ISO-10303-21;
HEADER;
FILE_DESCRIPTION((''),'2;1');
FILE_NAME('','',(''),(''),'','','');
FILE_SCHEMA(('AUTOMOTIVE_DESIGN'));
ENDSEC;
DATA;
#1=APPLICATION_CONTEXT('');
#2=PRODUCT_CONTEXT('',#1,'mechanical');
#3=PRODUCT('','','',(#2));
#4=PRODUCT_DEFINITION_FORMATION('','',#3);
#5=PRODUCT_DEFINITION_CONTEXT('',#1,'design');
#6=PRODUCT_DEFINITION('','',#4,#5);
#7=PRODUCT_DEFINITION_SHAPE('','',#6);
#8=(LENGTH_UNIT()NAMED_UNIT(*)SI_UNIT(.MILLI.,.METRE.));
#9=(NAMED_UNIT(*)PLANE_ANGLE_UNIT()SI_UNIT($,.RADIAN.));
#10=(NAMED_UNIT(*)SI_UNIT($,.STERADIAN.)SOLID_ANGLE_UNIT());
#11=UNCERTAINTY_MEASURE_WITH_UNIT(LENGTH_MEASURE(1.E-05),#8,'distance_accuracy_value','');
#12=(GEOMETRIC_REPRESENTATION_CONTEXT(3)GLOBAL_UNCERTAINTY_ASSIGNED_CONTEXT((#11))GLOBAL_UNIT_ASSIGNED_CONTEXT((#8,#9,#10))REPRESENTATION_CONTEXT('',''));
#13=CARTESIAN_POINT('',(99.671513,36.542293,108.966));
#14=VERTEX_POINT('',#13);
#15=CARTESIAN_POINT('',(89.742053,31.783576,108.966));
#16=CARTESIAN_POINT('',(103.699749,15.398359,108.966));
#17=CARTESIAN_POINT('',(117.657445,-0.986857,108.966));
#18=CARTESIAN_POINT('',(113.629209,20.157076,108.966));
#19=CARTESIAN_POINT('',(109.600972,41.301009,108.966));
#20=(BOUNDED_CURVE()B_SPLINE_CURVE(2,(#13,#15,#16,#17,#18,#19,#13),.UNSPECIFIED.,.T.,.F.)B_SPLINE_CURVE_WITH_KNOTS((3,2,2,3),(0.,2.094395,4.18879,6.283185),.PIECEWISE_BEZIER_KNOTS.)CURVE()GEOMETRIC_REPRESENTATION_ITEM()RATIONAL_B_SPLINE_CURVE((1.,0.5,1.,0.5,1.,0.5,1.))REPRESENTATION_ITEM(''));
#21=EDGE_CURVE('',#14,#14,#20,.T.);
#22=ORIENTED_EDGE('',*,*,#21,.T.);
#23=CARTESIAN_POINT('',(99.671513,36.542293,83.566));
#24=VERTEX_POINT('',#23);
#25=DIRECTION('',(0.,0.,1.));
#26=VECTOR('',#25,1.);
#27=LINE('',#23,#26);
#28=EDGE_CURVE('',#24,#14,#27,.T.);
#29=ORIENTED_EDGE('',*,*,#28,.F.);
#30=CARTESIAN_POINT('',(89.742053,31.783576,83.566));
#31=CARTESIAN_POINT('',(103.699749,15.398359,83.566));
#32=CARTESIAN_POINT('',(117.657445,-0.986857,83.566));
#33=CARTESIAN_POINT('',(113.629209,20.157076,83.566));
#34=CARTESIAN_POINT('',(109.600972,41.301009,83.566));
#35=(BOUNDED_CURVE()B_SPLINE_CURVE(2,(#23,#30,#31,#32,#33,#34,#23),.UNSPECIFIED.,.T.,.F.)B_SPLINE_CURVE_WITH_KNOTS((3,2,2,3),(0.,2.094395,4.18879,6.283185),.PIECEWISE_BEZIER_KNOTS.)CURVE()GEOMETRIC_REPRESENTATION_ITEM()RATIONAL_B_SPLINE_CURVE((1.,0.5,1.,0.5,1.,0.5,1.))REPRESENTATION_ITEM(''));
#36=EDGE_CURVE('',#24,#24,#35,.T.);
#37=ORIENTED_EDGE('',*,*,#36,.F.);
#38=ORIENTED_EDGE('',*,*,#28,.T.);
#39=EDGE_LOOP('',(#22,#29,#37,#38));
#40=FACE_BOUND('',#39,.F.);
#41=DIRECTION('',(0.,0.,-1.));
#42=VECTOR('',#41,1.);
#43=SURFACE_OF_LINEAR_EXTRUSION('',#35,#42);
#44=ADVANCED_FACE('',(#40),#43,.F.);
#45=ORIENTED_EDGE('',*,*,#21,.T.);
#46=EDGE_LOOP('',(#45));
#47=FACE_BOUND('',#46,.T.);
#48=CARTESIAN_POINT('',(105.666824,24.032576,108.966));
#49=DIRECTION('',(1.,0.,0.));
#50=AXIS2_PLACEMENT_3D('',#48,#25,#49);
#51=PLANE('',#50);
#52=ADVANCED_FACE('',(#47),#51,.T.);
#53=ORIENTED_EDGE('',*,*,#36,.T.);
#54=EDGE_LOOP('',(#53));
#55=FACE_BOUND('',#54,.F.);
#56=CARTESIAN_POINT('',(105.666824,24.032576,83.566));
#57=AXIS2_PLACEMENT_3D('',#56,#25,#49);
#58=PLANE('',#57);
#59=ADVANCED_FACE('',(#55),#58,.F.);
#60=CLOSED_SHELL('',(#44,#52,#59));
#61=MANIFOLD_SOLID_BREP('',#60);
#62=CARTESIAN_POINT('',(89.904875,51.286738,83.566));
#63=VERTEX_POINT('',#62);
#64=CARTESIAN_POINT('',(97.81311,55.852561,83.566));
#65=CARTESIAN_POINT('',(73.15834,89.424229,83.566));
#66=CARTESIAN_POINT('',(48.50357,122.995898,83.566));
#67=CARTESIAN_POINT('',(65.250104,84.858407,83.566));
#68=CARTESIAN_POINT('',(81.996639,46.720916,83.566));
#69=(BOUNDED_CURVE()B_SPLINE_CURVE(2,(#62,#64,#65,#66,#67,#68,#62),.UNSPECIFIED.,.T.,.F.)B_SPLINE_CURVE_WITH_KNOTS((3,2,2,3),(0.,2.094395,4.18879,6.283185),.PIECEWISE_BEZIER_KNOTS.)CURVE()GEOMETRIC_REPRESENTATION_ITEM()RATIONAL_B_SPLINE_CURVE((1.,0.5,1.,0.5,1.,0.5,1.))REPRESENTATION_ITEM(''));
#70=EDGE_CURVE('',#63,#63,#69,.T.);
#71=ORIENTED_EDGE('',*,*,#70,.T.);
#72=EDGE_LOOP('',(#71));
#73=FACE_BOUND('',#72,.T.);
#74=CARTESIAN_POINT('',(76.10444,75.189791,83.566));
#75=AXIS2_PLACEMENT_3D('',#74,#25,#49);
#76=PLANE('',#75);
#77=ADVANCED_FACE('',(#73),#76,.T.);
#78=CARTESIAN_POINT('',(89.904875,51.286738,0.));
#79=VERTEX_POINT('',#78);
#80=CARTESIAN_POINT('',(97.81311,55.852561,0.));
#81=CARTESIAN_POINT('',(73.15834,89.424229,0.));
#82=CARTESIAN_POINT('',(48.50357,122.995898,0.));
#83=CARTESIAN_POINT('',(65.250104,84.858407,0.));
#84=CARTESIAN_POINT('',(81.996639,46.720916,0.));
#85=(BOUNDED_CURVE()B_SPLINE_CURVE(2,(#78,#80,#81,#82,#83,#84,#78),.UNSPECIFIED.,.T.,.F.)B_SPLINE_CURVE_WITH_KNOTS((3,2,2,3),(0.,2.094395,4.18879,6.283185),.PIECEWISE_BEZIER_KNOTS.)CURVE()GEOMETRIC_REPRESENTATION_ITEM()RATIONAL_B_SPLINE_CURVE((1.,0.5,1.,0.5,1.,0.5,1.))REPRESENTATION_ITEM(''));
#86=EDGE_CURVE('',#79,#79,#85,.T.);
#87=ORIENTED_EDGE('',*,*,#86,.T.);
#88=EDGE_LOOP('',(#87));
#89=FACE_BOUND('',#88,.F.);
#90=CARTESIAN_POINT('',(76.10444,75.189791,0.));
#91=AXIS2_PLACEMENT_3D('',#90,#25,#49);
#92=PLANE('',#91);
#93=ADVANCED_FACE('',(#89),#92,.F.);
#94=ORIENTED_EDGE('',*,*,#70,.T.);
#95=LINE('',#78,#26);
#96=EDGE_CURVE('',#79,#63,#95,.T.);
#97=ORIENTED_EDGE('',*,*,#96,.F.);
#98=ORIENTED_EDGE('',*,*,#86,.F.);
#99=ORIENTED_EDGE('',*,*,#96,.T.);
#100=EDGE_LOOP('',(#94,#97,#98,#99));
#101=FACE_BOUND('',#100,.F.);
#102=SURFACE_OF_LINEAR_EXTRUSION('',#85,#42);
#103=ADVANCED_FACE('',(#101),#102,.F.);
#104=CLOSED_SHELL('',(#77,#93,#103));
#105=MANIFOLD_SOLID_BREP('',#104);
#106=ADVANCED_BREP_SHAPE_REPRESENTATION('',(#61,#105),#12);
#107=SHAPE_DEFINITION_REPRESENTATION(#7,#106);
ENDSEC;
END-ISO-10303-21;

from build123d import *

# Parameters (mm, degrees)
F1_DEPTH = 83.566
F3_DEPTH = 25.4


with BuildPart() as f1:
    # F0 (on Top) → F1 (new body)
    with BuildSketch(Plane.XY):
        with BuildLine():
            add(Edge.make_bspline(
                [(89.904875, 51.286738), (97.81311, 55.852561), (73.15834, 89.424229), (48.50357, 122.995898), (65.250104, 84.858407), (81.996639, 46.720916), (89.904875, 51.286738)],
                knots=[0, 0, 0, 2.094395, 2.094395, 4.18879, 4.18879, 6.283185, 6.283185, 6.283185], degree=2, weights=[1, 0.5, 1, 0.5, 1, 0.5, 1]))
        make_face()
    extrude(amount=F1_DEPTH)


with BuildPart() as f3:
    # F2 (on face) → F3 (new body)
    with BuildSketch(Plane.XY.offset(83.566)):
        with BuildLine():
            add(Edge.make_bspline(
                [(99.671513, 36.542293), (89.742053, 31.783576), (103.699749, 15.398359), (117.657445, -0.986857), (113.629209, 20.157076), (109.600972, 41.301009), (99.671513, 36.542293)],
                knots=[0, 0, 0, 2.094395, 2.094395, 4.18879, 4.18879, 6.283185, 6.283185, 6.283185], degree=2, weights=[1, 0.5, 1, 0.5, 1, 0.5, 1]))
        make_face()
    extrude(amount=F3_DEPTH)


solid = Compound([f1.part, f3.part])
